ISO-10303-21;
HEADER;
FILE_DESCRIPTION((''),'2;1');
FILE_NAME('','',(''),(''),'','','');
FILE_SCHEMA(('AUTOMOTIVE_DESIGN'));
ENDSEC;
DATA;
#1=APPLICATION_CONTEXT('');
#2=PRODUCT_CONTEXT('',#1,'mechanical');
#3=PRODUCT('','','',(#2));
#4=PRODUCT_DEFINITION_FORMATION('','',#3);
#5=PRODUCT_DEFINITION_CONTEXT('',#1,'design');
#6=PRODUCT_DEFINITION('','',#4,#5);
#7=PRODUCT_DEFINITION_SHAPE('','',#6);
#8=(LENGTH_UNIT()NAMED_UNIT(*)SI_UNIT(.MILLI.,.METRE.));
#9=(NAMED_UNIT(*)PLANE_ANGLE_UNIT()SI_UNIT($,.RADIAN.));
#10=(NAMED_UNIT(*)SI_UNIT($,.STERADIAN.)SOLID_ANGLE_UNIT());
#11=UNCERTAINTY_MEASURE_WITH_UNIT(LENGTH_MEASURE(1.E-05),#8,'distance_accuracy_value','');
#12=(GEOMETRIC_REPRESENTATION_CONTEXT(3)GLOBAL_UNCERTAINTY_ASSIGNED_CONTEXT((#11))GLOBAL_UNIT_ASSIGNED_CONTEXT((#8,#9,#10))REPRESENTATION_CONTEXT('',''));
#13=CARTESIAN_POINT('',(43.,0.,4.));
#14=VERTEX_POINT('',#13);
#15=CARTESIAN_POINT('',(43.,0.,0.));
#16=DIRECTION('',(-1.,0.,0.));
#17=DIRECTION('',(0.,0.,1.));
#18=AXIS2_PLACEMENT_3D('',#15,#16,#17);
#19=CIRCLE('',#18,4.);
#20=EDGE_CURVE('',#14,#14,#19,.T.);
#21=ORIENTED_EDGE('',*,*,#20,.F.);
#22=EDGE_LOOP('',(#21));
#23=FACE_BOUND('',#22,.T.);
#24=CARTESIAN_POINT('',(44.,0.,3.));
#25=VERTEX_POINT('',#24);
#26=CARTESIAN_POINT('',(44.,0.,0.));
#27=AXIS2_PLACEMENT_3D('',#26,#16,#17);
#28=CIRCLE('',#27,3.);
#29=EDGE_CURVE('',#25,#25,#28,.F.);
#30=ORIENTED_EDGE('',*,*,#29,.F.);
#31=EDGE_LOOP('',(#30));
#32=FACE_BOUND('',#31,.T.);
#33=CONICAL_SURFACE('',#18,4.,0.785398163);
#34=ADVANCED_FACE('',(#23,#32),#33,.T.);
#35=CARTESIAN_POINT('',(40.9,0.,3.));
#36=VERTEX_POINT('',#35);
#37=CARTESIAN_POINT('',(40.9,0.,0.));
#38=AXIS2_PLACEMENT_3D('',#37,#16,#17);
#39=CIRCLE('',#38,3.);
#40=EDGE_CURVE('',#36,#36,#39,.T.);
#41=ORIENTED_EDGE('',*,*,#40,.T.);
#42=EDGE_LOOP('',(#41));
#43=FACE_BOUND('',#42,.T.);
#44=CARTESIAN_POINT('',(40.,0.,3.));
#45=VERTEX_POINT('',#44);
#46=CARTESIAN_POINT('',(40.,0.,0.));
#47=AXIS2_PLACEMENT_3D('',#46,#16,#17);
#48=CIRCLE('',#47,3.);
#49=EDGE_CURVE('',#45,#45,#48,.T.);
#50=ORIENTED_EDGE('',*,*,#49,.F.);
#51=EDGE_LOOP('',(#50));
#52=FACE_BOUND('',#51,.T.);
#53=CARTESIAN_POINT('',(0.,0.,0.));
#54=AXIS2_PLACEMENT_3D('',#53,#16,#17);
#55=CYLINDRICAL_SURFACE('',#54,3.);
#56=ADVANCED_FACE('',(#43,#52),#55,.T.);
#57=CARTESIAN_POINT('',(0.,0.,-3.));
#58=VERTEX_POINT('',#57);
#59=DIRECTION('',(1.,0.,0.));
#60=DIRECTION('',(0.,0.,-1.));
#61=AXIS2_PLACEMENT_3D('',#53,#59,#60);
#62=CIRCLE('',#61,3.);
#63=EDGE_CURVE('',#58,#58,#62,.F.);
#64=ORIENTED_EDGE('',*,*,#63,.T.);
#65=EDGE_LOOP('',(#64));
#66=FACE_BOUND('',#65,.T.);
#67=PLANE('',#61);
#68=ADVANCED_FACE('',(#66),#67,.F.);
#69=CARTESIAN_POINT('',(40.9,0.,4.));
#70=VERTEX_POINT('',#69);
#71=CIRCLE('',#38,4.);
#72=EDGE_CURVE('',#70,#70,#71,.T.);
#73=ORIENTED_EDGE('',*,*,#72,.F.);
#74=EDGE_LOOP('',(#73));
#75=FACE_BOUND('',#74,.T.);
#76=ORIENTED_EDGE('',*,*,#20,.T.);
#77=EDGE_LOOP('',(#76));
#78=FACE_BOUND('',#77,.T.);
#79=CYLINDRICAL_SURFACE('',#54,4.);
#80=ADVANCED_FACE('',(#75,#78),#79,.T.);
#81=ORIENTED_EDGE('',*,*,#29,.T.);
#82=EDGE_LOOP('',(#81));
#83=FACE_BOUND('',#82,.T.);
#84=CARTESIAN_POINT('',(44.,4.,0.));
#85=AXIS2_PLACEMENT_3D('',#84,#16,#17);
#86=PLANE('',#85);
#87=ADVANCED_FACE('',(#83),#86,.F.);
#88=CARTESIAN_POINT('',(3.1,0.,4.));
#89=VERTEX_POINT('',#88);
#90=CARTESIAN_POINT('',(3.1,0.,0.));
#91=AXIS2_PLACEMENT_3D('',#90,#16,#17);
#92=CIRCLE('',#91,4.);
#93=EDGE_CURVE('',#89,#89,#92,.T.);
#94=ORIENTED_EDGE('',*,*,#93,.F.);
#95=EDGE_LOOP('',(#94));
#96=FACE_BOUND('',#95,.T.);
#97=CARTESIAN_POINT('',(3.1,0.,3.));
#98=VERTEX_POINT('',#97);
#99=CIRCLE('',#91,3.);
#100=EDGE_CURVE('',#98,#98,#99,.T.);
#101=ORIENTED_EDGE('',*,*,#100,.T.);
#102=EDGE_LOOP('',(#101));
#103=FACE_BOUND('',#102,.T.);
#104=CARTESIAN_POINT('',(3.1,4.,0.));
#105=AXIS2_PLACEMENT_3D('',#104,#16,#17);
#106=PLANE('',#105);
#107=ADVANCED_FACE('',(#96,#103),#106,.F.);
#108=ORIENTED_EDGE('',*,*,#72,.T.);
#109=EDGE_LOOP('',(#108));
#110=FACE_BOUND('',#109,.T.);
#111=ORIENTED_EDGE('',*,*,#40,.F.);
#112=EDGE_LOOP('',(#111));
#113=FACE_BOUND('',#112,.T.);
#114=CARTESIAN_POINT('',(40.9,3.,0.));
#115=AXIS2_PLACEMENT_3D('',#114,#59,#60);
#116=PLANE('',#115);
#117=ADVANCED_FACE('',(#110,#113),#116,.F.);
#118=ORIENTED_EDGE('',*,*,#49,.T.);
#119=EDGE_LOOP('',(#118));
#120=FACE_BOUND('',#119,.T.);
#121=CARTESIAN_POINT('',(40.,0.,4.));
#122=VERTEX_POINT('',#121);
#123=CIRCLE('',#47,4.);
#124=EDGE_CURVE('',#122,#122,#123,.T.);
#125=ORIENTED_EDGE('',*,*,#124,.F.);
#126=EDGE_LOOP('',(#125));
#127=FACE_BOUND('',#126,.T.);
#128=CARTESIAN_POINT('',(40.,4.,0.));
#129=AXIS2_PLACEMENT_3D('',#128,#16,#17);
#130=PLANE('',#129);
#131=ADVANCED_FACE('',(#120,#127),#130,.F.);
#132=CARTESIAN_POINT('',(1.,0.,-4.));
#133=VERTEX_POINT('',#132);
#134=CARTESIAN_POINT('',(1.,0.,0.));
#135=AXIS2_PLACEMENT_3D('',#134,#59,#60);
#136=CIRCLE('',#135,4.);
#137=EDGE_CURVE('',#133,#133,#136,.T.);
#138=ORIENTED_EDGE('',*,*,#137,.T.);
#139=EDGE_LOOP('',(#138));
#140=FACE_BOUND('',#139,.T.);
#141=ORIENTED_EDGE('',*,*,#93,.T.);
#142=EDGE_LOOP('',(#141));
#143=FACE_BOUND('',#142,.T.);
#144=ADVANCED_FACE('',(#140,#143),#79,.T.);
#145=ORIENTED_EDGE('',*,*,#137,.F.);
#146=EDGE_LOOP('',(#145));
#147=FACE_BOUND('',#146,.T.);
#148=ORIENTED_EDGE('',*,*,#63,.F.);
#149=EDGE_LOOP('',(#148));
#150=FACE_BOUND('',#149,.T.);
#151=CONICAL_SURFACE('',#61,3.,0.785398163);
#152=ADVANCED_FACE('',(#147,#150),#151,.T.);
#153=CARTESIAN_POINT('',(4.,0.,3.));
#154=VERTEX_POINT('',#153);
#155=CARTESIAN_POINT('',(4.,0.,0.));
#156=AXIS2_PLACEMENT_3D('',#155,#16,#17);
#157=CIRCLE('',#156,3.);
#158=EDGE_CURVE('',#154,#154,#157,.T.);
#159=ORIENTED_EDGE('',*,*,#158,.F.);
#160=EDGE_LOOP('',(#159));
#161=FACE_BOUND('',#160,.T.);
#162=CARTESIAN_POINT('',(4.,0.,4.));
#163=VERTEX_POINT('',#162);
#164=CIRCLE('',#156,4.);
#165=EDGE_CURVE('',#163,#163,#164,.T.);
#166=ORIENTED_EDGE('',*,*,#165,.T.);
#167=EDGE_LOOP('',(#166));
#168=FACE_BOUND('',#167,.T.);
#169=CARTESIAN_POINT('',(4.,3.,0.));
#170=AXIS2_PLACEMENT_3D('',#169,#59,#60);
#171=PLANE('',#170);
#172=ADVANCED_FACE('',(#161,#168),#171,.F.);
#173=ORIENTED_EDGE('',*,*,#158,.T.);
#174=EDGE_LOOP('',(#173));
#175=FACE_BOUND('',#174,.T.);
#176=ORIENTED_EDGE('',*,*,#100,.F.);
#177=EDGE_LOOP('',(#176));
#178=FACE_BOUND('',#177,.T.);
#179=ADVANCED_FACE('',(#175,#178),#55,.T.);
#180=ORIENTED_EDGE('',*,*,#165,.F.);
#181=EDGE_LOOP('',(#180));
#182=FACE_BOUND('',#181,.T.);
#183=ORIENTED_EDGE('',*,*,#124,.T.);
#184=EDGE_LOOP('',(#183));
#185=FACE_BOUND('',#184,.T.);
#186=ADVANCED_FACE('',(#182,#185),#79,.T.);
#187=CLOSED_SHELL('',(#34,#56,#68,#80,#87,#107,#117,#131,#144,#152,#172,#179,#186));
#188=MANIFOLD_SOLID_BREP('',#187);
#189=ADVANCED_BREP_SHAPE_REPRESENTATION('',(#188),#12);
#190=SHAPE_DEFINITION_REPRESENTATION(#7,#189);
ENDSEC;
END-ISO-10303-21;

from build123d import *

# Parameters (mm, degrees)
CHAMFER1_SIZE = 1


with BuildPart() as part:
    # Sketch1 → Revolve1 (revolve)
    with BuildSketch(Plane.XY, mode=Mode.PRIVATE) as revolve1_sk:
        Polygon((0, 0), (0, 4), (3.1, 4), (3.1, 3), (4, 3), (4, 4), (40, 4), (40, 3), (40.9, 3), (40.9, 4), (44, 4), (44, 0), align=None)
    revolve(revolve1_sk.sketch.rotate(Axis((0, 0, 0), (1, 0, 0)), 90), axis=Axis((0, 0, 0), (1, 0, 0)))

    # Chamfer1
    chamfer1_edges = [part.edges().sort_by_distance(p)[0] for p in [
        (0, 0, -4),
        (44, 0, -4),
    ]]
    chamfer(chamfer1_edges, length=CHAMFER1_SIZE)


solid = part.part
